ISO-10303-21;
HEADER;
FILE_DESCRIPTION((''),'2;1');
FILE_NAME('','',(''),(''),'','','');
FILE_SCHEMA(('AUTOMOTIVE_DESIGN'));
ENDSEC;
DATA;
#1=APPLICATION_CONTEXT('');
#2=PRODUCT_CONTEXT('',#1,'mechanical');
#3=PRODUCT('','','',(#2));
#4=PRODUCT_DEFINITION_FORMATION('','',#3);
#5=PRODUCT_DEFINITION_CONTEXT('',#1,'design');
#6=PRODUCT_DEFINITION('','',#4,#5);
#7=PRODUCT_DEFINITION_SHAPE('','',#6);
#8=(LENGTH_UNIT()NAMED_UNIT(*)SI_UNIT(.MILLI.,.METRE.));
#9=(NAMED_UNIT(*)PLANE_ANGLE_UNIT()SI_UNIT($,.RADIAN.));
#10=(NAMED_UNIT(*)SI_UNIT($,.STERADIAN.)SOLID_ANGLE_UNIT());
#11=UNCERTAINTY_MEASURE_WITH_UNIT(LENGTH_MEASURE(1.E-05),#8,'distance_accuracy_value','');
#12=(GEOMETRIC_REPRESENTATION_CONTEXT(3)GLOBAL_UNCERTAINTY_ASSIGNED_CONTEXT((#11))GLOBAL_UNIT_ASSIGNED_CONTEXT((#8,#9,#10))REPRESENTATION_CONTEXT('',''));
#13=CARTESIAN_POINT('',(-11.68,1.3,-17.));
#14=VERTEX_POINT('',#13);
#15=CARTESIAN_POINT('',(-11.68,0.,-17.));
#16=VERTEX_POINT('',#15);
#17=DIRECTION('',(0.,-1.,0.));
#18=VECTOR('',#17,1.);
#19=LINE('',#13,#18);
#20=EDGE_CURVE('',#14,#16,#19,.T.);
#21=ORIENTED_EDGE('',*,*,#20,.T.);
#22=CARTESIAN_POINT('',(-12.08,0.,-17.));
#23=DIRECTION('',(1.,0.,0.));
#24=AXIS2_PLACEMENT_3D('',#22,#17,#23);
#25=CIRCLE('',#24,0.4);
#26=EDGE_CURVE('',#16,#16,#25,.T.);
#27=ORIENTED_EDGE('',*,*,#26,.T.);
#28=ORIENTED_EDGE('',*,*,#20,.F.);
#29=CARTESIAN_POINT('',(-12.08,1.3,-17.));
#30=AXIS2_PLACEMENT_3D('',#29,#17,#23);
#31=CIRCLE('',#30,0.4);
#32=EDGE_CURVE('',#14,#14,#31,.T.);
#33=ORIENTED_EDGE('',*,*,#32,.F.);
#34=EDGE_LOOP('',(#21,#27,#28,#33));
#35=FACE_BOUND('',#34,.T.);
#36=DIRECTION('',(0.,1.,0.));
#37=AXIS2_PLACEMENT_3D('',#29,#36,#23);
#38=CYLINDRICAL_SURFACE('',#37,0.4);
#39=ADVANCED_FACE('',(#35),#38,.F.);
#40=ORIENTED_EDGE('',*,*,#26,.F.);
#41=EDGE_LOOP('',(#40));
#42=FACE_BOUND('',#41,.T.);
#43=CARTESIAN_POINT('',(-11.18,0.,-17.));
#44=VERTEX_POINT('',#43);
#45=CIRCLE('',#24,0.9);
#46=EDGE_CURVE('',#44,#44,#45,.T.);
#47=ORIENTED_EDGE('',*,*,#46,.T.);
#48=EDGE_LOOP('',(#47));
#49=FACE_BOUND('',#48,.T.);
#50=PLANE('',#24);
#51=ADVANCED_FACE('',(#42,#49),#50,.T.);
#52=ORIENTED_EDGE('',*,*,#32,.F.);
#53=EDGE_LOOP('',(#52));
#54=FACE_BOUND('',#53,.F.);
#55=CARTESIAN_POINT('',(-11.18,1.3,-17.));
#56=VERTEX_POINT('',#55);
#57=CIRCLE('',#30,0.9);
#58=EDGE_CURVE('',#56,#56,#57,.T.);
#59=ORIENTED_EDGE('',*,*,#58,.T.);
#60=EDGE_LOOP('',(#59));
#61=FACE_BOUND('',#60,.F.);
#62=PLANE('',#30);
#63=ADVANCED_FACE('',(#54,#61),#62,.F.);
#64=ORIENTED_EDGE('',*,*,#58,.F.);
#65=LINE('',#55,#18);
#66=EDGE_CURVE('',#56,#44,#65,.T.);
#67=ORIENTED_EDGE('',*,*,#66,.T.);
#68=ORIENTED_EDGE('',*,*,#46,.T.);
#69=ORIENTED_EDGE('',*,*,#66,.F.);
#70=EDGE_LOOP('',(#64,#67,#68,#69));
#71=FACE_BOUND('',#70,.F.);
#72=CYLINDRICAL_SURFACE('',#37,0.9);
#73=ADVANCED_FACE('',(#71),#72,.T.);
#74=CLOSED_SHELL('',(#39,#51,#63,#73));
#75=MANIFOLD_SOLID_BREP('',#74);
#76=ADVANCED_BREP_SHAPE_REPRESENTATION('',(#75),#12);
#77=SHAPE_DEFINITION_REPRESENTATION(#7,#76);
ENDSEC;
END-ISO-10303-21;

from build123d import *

# Parameters (mm, degrees)
CYLINDER174_R          = 0.4
CYLINDER174_DEPTH      = 1.3
CYLINDER175_R          = 0.9
CYLINDER175_DEPTH      = 1.3
CUT117_PLACEMENT_ANGLE = 90


with BuildPart() as cylinder174:
    # Cylinder174 → Cylinder174 (new body)
    with BuildSketch(Plane.XY):
        Circle(CYLINDER174_R)
    extrude(amount=CYLINDER174_DEPTH)


with BuildPart() as contact002:
    # Cylinder175 → Cylinder175 (new body)
    with BuildSketch(Plane.XY):
        Circle(CYLINDER175_R)
    extrude(amount=CYLINDER175_DEPTH)

    # Cut117: cut Cylinder174
    add(cylinder174.part, mode=Mode.SUBTRACT)


with BuildPart() as contact002_1:
    # Cut117 placement: moved
    add(contact002.part.moved(Location((-12.08, 1.3, -17))).rotate(Axis((-12.08, 1.3, -17), (1, 0, 0)), CUT117_PLACEMENT_ANGLE))


solid = contact002_1.part
